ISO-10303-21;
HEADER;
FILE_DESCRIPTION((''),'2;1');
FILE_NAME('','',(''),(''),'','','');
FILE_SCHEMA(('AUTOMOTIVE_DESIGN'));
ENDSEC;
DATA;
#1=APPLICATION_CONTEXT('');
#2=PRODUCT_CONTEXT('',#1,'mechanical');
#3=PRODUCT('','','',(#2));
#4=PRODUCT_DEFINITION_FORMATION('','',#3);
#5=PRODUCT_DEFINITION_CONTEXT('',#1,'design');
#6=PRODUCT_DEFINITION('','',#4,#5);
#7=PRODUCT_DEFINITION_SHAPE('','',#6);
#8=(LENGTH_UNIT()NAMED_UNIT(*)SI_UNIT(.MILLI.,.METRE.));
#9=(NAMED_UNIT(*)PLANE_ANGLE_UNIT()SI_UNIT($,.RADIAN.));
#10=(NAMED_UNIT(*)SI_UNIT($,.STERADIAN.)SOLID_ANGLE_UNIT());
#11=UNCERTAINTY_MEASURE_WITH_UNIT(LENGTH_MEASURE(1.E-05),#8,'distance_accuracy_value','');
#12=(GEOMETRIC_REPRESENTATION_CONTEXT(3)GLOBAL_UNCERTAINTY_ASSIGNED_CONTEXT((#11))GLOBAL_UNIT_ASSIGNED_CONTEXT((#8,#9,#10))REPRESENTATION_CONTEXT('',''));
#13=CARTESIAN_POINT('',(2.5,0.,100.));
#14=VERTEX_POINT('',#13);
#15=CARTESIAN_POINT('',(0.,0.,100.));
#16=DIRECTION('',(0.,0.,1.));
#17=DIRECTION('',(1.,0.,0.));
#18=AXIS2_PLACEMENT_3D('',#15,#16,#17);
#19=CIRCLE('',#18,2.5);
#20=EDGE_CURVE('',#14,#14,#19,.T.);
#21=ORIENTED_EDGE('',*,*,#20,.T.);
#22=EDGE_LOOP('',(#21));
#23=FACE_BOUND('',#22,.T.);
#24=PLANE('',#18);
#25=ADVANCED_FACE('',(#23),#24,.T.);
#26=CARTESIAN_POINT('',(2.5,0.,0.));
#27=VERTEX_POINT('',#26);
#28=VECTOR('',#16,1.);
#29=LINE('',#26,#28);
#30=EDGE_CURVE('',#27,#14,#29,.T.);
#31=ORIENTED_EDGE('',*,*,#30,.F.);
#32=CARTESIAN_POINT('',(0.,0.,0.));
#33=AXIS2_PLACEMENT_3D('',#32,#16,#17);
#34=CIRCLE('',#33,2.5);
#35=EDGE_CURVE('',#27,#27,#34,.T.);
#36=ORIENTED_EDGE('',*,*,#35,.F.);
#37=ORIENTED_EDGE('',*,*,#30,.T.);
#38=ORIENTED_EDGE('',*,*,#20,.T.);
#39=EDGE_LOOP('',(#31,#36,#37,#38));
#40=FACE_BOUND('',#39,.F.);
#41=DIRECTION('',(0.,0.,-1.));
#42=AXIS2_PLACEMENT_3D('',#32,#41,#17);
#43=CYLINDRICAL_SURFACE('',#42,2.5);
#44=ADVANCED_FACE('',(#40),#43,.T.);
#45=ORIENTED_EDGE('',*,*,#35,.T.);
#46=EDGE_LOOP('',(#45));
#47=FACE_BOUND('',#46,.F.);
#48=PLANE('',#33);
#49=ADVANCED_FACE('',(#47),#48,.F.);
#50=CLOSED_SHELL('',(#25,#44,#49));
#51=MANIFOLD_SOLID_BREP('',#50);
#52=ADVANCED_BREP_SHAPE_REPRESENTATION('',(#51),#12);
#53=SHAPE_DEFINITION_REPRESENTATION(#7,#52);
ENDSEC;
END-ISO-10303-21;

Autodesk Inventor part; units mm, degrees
ref_plane "YZ Plane" through (0, 0, 0) normal (1, 0, 0) x (0, 1, 0)
ref_plane "XZ Plane" through (0, 0, 0) normal (0, 1, 0) x (-1, 0, 0)
ref_plane "XY Plane" through (0, 0, 0) normal (0, 0, 1) x (1, 0, 0)
sketch "Sketch1" plane through (0, 0, 0) normal (0, 0, 1) x (1, 0, 0)
  circle A0 centre (0, 0) radius 2.5
  dimension "d0" = 5
extrude "Extrusion1" add sketch "Sketch1" along normal blind 100
properties part number "vertix_rod" material "Aluminum 6061"
